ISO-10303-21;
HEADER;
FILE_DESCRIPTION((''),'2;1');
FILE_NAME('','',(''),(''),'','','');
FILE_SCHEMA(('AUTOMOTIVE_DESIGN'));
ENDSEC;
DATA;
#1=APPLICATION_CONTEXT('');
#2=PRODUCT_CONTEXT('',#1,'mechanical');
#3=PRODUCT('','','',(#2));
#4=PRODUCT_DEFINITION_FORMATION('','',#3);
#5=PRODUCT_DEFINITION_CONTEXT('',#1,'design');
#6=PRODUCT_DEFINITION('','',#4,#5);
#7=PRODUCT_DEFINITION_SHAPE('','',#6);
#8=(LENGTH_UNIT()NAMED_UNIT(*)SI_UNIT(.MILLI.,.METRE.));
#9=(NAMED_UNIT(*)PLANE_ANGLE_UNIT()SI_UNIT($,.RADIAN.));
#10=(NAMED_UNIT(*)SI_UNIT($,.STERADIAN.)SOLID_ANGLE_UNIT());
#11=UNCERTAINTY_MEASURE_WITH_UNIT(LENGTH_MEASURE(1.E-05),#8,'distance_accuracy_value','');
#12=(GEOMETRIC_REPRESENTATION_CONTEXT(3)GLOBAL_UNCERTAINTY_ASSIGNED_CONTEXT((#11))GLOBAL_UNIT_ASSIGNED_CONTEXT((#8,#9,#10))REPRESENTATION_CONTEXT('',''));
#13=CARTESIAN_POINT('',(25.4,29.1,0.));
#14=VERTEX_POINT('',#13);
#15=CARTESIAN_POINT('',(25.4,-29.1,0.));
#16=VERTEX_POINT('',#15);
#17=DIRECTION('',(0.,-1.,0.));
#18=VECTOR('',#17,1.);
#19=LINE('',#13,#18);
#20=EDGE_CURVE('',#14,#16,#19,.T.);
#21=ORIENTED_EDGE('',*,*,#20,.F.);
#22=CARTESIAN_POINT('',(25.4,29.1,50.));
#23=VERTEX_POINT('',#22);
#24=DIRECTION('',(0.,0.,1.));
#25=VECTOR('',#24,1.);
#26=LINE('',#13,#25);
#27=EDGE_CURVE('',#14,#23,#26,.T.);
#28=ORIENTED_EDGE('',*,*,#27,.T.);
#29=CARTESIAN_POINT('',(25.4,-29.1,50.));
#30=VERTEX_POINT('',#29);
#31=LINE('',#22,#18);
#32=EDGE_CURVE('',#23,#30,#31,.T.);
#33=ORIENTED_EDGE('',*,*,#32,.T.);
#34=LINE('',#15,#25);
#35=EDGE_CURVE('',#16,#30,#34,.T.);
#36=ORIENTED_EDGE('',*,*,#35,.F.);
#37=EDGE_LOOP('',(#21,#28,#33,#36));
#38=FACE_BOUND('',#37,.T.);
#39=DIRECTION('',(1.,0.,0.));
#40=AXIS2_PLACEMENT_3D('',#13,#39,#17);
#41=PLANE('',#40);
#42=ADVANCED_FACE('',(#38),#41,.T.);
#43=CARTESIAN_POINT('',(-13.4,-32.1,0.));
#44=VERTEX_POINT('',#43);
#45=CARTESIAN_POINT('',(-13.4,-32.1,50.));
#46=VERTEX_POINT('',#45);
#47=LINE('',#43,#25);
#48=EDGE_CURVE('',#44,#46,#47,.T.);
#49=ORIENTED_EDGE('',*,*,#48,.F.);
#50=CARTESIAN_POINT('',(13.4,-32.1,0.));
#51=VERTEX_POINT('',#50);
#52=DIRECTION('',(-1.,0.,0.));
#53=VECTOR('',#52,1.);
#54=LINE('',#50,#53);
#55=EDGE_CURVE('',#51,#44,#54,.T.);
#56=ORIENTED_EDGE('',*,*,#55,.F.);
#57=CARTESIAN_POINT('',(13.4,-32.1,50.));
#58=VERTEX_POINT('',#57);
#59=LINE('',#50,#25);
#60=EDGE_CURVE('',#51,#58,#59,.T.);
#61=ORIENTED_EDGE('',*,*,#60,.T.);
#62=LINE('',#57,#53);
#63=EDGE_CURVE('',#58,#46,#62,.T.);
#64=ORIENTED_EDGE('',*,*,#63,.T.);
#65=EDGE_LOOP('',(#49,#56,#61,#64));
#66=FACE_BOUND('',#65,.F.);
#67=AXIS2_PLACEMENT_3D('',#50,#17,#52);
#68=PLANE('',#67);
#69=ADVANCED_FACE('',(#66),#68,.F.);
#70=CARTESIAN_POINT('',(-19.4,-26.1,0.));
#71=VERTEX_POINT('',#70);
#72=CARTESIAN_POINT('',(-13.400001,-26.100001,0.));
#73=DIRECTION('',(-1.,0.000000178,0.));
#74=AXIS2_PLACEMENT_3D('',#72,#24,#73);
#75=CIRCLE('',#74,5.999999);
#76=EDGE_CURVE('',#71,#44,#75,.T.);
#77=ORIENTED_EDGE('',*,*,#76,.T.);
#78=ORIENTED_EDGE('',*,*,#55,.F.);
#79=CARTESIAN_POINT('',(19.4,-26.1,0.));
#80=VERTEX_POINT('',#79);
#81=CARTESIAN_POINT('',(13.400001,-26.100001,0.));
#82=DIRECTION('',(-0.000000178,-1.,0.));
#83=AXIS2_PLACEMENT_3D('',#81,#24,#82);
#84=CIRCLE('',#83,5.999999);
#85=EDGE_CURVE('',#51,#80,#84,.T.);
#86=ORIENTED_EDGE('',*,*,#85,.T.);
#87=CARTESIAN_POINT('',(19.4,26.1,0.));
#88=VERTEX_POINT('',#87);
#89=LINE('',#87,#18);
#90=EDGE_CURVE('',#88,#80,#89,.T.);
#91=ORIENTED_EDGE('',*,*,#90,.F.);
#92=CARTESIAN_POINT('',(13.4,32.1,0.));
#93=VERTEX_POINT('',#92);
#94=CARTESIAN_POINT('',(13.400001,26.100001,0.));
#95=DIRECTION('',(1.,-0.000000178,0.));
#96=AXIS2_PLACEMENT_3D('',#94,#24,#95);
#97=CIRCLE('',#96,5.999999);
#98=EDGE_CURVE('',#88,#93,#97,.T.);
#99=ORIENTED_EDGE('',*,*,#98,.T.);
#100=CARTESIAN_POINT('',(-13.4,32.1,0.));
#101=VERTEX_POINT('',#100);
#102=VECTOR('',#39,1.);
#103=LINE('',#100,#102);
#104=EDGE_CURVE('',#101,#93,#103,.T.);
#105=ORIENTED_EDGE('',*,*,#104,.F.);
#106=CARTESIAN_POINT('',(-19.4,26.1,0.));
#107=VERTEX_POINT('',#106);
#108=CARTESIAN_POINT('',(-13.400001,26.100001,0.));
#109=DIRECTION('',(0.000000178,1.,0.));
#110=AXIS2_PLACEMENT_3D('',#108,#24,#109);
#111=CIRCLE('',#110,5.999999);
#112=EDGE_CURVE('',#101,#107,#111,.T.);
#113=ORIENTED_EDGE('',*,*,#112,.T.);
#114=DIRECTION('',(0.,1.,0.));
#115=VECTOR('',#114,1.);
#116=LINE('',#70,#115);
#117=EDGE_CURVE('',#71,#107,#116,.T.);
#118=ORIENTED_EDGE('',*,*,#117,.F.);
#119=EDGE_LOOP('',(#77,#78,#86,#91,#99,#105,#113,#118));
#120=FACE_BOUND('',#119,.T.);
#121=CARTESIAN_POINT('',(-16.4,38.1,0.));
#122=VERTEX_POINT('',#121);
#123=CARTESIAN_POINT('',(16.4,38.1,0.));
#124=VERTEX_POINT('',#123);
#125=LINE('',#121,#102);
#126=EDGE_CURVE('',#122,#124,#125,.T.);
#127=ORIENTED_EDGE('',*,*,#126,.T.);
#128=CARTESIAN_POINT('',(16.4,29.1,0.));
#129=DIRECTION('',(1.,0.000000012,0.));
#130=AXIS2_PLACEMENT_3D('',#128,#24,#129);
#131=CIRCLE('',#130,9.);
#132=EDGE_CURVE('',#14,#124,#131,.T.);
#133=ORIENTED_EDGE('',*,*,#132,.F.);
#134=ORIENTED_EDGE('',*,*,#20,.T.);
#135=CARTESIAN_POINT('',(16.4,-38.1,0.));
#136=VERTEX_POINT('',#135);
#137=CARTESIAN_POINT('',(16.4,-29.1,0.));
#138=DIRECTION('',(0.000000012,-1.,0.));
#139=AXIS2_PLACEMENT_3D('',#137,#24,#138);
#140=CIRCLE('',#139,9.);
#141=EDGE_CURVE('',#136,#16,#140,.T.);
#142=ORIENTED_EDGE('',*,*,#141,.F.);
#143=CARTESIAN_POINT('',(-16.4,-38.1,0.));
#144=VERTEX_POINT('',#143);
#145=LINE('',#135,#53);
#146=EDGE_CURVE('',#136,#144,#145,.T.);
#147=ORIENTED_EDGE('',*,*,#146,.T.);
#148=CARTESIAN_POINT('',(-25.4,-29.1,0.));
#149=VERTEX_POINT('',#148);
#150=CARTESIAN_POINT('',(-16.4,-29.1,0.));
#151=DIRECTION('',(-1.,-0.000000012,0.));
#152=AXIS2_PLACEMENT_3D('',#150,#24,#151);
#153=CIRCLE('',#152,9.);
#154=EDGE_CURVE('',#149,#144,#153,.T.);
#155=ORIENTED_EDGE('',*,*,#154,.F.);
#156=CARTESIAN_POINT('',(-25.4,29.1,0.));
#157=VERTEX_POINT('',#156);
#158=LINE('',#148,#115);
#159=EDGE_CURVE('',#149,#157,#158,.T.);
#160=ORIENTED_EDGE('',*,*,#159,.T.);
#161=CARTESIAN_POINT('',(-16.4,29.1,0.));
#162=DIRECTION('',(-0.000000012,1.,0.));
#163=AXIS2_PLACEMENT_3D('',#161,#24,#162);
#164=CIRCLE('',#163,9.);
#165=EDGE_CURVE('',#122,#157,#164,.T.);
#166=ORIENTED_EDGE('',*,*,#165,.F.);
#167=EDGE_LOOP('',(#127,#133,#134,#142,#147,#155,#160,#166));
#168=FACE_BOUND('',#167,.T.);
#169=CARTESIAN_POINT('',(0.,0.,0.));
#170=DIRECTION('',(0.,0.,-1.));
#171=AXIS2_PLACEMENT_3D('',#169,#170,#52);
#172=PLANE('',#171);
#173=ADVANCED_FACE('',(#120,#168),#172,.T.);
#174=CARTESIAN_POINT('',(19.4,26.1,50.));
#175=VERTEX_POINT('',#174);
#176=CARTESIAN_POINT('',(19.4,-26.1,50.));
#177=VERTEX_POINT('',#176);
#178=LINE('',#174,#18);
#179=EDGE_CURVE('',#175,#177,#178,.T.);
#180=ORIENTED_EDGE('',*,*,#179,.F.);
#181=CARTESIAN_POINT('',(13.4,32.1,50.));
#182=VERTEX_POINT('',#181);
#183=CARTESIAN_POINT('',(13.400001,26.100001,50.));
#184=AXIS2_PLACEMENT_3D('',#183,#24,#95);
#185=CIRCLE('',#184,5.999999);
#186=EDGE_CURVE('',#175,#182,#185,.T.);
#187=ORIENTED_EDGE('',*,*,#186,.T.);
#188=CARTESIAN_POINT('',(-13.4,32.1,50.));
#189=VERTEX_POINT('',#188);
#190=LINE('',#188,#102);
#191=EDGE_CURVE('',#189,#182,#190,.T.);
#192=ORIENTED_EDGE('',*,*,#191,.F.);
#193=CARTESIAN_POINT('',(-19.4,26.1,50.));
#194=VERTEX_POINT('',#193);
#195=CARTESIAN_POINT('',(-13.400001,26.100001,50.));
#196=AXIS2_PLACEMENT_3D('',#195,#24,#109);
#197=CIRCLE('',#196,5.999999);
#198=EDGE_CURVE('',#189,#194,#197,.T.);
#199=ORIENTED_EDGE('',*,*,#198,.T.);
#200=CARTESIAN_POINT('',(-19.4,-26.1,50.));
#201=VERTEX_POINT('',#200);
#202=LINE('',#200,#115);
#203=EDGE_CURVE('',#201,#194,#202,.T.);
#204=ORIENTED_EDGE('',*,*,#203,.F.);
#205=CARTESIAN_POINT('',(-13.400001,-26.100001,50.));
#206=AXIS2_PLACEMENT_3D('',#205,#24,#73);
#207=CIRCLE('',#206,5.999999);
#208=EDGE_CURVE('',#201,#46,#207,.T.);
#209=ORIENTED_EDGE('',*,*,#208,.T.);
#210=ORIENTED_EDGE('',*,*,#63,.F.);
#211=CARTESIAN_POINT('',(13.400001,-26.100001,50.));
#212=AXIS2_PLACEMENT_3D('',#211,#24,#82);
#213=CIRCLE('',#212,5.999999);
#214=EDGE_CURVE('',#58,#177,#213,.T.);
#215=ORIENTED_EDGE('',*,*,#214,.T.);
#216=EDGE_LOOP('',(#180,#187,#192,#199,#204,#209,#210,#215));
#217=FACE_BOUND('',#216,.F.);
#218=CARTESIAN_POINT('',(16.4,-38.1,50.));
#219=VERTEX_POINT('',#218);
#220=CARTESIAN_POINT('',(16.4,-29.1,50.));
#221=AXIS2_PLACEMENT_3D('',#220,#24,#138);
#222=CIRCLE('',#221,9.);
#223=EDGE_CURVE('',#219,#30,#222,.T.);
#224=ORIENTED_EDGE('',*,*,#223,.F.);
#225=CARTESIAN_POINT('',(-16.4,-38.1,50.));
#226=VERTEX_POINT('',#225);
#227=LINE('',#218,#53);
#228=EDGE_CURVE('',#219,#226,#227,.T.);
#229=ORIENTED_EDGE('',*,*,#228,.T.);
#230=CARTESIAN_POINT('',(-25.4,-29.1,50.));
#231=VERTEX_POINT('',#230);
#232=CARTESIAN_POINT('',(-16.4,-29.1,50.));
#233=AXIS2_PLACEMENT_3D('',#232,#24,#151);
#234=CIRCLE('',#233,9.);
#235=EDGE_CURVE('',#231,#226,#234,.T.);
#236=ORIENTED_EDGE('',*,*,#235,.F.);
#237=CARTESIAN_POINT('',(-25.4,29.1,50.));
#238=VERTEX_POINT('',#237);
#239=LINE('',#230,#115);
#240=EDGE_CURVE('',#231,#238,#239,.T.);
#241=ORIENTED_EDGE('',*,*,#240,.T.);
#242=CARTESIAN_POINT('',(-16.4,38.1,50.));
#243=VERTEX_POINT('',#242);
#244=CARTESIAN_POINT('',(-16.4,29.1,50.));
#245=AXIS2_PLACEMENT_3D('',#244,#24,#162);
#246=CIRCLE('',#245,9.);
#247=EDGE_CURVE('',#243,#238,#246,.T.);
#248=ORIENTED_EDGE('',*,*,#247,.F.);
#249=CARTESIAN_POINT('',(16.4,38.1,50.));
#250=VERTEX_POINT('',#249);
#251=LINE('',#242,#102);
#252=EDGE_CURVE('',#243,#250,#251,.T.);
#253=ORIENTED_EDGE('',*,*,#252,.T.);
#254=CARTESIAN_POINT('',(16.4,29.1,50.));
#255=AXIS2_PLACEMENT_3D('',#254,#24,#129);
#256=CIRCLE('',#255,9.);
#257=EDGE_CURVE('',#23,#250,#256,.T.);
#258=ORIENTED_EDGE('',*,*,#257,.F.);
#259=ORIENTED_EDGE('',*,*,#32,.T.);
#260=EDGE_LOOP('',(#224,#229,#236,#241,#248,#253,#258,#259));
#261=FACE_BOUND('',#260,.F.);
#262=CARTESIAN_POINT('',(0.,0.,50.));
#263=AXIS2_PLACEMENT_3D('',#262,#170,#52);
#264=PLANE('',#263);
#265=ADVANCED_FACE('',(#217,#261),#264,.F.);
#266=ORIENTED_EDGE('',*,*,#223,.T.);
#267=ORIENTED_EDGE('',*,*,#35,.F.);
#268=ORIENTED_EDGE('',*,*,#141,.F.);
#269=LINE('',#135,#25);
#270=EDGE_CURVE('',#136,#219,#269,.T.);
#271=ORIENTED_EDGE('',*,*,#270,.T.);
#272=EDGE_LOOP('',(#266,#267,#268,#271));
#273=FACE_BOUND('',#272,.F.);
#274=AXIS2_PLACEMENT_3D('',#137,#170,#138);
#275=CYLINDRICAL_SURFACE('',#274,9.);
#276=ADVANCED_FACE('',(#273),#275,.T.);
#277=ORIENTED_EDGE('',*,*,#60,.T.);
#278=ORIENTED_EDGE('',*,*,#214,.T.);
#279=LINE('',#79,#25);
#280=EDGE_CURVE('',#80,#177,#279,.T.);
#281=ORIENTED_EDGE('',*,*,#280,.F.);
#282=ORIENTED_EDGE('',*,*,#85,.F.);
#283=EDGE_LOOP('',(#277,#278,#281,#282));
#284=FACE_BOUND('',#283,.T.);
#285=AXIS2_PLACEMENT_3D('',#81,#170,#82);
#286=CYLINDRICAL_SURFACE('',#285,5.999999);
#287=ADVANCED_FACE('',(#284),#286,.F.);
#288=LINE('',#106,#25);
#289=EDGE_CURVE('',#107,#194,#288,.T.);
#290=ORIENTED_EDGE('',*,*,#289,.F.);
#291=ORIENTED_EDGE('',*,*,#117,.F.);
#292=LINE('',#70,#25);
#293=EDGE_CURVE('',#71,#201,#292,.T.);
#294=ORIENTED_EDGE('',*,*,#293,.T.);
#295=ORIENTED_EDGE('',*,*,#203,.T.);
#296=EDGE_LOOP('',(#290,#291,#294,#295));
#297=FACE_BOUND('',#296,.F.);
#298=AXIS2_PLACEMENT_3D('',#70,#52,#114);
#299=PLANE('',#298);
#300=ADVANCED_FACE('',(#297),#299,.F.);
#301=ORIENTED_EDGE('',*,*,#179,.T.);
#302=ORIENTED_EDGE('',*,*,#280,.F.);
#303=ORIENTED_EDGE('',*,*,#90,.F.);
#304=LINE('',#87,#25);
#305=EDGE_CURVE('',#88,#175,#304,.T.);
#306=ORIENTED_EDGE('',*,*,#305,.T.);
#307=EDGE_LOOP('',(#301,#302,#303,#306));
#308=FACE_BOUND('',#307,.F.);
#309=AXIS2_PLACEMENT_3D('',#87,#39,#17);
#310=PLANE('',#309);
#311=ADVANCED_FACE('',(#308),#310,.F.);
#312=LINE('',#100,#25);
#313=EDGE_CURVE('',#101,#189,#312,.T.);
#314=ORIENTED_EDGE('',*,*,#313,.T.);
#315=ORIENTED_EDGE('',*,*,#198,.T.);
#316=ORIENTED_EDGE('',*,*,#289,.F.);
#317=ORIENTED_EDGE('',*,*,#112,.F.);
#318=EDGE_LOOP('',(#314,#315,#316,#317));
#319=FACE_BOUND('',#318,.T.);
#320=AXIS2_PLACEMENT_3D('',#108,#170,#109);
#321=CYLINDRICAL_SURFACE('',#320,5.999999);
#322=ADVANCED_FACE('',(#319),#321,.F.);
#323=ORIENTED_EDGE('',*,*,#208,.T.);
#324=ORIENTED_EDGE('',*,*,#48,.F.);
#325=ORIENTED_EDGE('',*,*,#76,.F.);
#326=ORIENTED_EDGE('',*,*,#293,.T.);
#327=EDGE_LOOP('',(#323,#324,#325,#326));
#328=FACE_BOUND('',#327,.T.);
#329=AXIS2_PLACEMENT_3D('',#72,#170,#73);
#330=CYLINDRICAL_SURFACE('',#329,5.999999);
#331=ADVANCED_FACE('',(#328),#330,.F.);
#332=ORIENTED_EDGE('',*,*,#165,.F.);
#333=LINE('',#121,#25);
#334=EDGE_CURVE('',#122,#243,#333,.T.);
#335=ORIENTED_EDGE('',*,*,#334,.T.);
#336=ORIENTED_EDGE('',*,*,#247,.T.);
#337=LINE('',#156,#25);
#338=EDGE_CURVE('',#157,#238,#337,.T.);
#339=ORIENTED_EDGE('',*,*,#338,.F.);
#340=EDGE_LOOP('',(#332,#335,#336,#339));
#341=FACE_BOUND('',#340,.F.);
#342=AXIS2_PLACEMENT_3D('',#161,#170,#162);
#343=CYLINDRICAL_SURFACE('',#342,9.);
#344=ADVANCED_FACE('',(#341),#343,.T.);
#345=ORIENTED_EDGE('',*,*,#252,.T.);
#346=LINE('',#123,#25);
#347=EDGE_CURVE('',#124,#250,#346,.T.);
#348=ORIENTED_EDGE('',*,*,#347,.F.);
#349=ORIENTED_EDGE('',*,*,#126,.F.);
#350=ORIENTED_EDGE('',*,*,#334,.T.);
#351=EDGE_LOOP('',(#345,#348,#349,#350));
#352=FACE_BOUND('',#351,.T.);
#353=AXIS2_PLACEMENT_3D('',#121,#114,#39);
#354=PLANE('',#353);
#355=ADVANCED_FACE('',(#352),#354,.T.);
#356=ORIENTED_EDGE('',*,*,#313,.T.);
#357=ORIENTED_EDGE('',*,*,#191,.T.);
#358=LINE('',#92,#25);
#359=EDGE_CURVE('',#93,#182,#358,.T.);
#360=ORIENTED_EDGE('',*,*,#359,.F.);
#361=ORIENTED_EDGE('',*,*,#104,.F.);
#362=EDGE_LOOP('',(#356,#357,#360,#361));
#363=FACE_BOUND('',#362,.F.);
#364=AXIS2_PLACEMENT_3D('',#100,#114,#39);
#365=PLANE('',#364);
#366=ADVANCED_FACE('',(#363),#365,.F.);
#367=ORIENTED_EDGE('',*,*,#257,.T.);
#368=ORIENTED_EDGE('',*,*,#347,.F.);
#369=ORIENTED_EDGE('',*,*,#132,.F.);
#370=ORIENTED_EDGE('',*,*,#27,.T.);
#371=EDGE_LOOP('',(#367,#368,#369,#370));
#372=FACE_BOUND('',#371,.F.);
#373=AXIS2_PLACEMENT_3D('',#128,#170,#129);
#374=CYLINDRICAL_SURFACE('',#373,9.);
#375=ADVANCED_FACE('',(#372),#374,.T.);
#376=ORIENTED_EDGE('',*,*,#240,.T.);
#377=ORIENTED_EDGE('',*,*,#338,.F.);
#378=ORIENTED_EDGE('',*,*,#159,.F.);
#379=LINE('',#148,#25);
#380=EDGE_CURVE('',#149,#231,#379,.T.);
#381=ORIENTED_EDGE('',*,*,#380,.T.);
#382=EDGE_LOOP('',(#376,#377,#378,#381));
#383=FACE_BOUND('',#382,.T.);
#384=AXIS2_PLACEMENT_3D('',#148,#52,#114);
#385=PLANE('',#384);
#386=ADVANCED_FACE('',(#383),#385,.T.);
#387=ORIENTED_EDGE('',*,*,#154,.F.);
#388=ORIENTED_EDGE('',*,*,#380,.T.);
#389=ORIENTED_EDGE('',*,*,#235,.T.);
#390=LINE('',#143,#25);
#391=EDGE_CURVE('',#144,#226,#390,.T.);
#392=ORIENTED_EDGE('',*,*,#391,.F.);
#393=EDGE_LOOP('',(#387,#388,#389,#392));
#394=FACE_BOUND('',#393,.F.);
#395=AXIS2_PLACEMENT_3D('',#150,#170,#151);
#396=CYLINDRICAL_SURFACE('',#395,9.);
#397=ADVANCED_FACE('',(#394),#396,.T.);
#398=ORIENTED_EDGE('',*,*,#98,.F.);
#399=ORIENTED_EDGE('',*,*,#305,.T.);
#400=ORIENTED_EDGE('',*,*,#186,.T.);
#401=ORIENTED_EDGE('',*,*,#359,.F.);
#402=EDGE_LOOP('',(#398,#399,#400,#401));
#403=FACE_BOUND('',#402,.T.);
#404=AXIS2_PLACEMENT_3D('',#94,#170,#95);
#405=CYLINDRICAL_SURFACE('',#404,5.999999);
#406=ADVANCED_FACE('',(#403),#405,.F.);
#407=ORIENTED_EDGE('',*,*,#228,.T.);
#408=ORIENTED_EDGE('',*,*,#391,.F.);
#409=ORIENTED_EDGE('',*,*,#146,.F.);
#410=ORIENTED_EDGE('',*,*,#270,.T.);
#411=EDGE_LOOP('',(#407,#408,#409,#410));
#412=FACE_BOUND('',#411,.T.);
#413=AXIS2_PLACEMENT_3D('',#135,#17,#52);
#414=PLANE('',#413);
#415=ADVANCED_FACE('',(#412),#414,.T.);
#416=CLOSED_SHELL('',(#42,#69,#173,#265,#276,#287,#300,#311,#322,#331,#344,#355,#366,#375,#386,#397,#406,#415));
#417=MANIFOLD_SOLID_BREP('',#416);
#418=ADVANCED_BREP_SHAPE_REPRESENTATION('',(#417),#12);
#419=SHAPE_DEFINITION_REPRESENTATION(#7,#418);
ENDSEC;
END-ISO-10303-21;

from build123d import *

# Parameters (mm, degrees)
EXTRUDE_DEPTH = 50


with BuildPart() as part:
    # Sketch → Extrude (new body)
    with BuildSketch(Plane.XY):
        with BuildLine():
            Line((-16.4, 38.1), (16.4, 38.1))
            ThreePointArc((25.4, 29.1), (22.763961, 35.463961), (16.4, 38.1))
            Line((25.4, 29.1), (25.4, -29.1))
            ThreePointArc((16.4, -38.1), (22.763961, -35.463961), (25.4, -29.1))
            Line((16.4, -38.1), (-16.4, -38.1))
            ThreePointArc((-25.4, -29.1), (-22.763961, -35.463961), (-16.4, -38.1))
            Line((-25.4, -29.1), (-25.4, 29.1))
            ThreePointArc((-16.4, 38.1), (-22.763961, 35.463961), (-25.4, 29.1))
        make_face()
        with BuildLine():
            Line((-13.4, 32.1), (13.4, 32.1))
            ThreePointArc((19.4, 26.1), (17.642641, 30.342641), (13.4, 32.1))
            Line((19.4, 26.1), (19.4, -26.1))
            ThreePointArc((13.4, -32.1), (17.642641, -30.342641), (19.4, -26.1))
            Line((13.4, -32.1), (-13.4, -32.1))
            ThreePointArc((-19.4, -26.1), (-17.642641, -30.342641), (-13.4, -32.1))
            Line((-19.4, -26.1), (-19.4, 26.1))
            ThreePointArc((-13.4, 32.1), (-17.642641, 30.342641), (-19.4, 26.1))
        make_face(mode=Mode.SUBTRACT)
    extrude(amount=EXTRUDE_DEPTH)


solid = part.part
